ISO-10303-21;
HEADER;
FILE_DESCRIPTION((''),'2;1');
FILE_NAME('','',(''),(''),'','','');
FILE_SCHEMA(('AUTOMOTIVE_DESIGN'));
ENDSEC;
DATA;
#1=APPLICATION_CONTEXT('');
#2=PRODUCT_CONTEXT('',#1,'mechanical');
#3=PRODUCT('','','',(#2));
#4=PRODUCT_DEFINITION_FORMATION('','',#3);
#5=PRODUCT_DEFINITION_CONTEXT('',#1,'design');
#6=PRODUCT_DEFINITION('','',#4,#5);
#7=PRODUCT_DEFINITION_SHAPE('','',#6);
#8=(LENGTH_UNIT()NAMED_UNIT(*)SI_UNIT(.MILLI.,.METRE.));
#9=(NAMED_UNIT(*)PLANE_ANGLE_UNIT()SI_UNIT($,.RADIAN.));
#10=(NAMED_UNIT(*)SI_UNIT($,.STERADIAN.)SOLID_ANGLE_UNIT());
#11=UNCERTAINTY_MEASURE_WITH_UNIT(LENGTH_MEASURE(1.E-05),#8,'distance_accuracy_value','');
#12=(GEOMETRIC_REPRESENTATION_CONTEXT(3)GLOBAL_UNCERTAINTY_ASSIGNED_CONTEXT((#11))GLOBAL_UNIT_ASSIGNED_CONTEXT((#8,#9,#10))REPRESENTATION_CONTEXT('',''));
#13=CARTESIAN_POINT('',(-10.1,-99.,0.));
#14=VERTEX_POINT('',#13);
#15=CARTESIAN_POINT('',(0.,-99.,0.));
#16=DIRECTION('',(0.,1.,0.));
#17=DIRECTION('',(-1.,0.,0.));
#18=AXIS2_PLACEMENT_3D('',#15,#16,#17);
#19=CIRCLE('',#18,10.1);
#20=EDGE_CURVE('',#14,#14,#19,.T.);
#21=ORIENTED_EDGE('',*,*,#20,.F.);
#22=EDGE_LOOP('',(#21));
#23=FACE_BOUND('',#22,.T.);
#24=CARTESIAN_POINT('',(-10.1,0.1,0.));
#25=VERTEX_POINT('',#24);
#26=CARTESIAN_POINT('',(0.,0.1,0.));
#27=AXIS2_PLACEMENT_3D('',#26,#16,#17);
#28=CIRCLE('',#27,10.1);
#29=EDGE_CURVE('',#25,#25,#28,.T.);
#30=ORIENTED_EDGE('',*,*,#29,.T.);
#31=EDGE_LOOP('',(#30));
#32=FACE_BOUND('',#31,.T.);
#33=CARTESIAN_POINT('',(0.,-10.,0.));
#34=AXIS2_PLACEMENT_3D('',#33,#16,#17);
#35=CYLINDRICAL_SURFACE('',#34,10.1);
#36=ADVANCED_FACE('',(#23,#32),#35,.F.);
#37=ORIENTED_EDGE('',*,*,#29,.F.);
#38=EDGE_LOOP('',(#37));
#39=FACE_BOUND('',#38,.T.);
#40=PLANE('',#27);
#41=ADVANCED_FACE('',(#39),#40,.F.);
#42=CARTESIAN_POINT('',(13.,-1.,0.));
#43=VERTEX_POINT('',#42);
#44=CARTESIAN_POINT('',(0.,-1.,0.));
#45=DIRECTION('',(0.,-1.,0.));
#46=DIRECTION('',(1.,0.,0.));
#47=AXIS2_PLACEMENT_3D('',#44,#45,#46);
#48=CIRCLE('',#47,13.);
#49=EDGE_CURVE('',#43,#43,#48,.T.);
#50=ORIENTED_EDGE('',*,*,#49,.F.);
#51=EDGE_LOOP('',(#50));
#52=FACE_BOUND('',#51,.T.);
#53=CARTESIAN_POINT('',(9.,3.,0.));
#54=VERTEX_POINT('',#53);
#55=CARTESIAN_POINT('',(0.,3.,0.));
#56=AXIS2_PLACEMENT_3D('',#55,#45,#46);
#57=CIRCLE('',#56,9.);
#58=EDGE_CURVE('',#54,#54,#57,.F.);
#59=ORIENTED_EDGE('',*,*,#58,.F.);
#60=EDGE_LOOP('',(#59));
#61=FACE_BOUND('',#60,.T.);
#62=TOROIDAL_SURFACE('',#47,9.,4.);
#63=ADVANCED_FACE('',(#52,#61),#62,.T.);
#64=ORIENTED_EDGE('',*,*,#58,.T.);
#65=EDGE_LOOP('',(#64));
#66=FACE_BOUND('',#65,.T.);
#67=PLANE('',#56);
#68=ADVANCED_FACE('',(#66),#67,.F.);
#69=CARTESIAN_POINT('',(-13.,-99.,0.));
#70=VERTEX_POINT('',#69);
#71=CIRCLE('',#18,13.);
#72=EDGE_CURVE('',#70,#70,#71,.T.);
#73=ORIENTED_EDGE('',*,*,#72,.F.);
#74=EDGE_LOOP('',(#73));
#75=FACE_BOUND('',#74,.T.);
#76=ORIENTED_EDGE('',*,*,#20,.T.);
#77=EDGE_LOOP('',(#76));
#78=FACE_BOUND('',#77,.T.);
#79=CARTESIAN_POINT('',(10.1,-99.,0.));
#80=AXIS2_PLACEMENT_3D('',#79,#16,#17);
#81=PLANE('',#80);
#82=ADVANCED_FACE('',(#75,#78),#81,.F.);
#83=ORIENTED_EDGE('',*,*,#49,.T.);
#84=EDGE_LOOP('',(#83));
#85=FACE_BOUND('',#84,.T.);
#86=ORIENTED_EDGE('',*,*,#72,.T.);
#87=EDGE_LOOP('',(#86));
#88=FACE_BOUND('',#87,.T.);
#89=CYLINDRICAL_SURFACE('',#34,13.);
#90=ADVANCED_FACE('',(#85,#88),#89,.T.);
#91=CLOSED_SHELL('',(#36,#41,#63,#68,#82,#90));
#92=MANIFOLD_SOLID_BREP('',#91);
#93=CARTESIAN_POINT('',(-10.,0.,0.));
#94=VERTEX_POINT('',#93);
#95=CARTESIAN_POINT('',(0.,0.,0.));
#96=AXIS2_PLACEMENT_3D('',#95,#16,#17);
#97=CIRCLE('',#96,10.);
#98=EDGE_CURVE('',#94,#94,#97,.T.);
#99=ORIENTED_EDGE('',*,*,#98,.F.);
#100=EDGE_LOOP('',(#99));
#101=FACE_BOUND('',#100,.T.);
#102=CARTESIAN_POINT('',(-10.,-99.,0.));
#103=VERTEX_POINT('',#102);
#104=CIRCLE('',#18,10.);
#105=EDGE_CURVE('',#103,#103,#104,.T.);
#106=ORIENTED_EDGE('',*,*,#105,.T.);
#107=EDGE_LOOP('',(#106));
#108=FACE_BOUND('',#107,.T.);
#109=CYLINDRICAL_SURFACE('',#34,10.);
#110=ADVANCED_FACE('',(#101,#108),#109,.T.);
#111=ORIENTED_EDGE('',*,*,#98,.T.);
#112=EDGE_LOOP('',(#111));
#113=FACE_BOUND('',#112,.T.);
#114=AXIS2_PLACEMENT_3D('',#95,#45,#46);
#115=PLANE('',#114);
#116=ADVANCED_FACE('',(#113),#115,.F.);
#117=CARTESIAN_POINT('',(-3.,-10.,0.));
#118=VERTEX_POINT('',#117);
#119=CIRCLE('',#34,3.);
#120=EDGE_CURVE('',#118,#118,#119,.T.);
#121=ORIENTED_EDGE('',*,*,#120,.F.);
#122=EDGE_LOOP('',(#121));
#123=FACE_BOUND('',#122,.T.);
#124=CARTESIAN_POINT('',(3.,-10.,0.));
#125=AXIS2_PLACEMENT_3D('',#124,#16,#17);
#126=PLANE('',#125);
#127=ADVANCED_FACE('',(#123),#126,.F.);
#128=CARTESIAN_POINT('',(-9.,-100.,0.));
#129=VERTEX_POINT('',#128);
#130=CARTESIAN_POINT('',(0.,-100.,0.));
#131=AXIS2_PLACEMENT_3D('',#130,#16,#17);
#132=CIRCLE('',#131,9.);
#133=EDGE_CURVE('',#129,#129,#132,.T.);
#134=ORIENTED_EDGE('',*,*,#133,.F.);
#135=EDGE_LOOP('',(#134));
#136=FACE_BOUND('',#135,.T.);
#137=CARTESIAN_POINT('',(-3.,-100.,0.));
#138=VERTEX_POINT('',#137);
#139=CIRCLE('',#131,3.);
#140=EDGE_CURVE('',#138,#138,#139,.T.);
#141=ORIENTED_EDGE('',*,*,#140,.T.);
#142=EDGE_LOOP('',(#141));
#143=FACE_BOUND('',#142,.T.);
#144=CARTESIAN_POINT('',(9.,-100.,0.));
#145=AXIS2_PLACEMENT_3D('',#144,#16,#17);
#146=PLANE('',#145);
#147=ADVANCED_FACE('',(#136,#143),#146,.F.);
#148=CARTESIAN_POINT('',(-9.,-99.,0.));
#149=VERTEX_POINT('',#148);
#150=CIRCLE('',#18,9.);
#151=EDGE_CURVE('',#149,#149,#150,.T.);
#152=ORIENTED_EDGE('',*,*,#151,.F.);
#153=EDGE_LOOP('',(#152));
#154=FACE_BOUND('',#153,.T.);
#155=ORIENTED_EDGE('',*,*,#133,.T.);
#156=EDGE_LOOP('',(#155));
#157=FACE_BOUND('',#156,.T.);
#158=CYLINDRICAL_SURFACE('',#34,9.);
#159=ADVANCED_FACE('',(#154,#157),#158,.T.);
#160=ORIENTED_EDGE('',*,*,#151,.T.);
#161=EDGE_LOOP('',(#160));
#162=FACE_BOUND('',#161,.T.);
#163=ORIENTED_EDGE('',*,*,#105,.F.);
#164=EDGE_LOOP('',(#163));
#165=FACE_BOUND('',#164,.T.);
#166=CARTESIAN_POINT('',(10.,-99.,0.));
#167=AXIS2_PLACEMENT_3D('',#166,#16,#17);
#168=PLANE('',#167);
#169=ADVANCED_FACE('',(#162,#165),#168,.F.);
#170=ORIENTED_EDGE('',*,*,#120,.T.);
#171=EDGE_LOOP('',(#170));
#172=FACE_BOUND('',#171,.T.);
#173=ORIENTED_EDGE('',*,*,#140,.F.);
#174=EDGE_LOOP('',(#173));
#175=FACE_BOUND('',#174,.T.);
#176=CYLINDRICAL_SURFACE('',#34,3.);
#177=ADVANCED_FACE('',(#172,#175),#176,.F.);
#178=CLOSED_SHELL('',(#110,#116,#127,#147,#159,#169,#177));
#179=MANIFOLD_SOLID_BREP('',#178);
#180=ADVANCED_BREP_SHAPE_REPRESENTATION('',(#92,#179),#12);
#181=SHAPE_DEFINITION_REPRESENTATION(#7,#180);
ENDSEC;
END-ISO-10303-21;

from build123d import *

# Parameters (mm, degrees)
CONG_1_R = 4


with BuildPart() as part:
    # Esquisse1 → Révolution1 (revolve)
    with BuildSketch(Plane.XY, mode=Mode.PRIVATE) as r_volution1_sk:
        Polygon((0, 0), (10, 0), (10, -99), (9, -99), (9, -100), (3, -100), (3, -10), (0, -10), align=None)
        Polygon((10.1, 0.1), (10.1, -99), (13, -99), (13, 3), (0, 3), (0, 0.1), align=None)
    revolve(r_volution1_sk.sketch.rotate(Axis((0, -10, 0), (0, -1, 0)), 180), axis=Axis((0, -10, 0), (0, -1, 0)))

    # Congé1
    cong_1_edges = [part.edges().sort_by_distance(p)[0] for p in [
        (13, 3, 0),
    ]]
    fillet(cong_1_edges, radius=CONG_1_R)


solid = part.part
